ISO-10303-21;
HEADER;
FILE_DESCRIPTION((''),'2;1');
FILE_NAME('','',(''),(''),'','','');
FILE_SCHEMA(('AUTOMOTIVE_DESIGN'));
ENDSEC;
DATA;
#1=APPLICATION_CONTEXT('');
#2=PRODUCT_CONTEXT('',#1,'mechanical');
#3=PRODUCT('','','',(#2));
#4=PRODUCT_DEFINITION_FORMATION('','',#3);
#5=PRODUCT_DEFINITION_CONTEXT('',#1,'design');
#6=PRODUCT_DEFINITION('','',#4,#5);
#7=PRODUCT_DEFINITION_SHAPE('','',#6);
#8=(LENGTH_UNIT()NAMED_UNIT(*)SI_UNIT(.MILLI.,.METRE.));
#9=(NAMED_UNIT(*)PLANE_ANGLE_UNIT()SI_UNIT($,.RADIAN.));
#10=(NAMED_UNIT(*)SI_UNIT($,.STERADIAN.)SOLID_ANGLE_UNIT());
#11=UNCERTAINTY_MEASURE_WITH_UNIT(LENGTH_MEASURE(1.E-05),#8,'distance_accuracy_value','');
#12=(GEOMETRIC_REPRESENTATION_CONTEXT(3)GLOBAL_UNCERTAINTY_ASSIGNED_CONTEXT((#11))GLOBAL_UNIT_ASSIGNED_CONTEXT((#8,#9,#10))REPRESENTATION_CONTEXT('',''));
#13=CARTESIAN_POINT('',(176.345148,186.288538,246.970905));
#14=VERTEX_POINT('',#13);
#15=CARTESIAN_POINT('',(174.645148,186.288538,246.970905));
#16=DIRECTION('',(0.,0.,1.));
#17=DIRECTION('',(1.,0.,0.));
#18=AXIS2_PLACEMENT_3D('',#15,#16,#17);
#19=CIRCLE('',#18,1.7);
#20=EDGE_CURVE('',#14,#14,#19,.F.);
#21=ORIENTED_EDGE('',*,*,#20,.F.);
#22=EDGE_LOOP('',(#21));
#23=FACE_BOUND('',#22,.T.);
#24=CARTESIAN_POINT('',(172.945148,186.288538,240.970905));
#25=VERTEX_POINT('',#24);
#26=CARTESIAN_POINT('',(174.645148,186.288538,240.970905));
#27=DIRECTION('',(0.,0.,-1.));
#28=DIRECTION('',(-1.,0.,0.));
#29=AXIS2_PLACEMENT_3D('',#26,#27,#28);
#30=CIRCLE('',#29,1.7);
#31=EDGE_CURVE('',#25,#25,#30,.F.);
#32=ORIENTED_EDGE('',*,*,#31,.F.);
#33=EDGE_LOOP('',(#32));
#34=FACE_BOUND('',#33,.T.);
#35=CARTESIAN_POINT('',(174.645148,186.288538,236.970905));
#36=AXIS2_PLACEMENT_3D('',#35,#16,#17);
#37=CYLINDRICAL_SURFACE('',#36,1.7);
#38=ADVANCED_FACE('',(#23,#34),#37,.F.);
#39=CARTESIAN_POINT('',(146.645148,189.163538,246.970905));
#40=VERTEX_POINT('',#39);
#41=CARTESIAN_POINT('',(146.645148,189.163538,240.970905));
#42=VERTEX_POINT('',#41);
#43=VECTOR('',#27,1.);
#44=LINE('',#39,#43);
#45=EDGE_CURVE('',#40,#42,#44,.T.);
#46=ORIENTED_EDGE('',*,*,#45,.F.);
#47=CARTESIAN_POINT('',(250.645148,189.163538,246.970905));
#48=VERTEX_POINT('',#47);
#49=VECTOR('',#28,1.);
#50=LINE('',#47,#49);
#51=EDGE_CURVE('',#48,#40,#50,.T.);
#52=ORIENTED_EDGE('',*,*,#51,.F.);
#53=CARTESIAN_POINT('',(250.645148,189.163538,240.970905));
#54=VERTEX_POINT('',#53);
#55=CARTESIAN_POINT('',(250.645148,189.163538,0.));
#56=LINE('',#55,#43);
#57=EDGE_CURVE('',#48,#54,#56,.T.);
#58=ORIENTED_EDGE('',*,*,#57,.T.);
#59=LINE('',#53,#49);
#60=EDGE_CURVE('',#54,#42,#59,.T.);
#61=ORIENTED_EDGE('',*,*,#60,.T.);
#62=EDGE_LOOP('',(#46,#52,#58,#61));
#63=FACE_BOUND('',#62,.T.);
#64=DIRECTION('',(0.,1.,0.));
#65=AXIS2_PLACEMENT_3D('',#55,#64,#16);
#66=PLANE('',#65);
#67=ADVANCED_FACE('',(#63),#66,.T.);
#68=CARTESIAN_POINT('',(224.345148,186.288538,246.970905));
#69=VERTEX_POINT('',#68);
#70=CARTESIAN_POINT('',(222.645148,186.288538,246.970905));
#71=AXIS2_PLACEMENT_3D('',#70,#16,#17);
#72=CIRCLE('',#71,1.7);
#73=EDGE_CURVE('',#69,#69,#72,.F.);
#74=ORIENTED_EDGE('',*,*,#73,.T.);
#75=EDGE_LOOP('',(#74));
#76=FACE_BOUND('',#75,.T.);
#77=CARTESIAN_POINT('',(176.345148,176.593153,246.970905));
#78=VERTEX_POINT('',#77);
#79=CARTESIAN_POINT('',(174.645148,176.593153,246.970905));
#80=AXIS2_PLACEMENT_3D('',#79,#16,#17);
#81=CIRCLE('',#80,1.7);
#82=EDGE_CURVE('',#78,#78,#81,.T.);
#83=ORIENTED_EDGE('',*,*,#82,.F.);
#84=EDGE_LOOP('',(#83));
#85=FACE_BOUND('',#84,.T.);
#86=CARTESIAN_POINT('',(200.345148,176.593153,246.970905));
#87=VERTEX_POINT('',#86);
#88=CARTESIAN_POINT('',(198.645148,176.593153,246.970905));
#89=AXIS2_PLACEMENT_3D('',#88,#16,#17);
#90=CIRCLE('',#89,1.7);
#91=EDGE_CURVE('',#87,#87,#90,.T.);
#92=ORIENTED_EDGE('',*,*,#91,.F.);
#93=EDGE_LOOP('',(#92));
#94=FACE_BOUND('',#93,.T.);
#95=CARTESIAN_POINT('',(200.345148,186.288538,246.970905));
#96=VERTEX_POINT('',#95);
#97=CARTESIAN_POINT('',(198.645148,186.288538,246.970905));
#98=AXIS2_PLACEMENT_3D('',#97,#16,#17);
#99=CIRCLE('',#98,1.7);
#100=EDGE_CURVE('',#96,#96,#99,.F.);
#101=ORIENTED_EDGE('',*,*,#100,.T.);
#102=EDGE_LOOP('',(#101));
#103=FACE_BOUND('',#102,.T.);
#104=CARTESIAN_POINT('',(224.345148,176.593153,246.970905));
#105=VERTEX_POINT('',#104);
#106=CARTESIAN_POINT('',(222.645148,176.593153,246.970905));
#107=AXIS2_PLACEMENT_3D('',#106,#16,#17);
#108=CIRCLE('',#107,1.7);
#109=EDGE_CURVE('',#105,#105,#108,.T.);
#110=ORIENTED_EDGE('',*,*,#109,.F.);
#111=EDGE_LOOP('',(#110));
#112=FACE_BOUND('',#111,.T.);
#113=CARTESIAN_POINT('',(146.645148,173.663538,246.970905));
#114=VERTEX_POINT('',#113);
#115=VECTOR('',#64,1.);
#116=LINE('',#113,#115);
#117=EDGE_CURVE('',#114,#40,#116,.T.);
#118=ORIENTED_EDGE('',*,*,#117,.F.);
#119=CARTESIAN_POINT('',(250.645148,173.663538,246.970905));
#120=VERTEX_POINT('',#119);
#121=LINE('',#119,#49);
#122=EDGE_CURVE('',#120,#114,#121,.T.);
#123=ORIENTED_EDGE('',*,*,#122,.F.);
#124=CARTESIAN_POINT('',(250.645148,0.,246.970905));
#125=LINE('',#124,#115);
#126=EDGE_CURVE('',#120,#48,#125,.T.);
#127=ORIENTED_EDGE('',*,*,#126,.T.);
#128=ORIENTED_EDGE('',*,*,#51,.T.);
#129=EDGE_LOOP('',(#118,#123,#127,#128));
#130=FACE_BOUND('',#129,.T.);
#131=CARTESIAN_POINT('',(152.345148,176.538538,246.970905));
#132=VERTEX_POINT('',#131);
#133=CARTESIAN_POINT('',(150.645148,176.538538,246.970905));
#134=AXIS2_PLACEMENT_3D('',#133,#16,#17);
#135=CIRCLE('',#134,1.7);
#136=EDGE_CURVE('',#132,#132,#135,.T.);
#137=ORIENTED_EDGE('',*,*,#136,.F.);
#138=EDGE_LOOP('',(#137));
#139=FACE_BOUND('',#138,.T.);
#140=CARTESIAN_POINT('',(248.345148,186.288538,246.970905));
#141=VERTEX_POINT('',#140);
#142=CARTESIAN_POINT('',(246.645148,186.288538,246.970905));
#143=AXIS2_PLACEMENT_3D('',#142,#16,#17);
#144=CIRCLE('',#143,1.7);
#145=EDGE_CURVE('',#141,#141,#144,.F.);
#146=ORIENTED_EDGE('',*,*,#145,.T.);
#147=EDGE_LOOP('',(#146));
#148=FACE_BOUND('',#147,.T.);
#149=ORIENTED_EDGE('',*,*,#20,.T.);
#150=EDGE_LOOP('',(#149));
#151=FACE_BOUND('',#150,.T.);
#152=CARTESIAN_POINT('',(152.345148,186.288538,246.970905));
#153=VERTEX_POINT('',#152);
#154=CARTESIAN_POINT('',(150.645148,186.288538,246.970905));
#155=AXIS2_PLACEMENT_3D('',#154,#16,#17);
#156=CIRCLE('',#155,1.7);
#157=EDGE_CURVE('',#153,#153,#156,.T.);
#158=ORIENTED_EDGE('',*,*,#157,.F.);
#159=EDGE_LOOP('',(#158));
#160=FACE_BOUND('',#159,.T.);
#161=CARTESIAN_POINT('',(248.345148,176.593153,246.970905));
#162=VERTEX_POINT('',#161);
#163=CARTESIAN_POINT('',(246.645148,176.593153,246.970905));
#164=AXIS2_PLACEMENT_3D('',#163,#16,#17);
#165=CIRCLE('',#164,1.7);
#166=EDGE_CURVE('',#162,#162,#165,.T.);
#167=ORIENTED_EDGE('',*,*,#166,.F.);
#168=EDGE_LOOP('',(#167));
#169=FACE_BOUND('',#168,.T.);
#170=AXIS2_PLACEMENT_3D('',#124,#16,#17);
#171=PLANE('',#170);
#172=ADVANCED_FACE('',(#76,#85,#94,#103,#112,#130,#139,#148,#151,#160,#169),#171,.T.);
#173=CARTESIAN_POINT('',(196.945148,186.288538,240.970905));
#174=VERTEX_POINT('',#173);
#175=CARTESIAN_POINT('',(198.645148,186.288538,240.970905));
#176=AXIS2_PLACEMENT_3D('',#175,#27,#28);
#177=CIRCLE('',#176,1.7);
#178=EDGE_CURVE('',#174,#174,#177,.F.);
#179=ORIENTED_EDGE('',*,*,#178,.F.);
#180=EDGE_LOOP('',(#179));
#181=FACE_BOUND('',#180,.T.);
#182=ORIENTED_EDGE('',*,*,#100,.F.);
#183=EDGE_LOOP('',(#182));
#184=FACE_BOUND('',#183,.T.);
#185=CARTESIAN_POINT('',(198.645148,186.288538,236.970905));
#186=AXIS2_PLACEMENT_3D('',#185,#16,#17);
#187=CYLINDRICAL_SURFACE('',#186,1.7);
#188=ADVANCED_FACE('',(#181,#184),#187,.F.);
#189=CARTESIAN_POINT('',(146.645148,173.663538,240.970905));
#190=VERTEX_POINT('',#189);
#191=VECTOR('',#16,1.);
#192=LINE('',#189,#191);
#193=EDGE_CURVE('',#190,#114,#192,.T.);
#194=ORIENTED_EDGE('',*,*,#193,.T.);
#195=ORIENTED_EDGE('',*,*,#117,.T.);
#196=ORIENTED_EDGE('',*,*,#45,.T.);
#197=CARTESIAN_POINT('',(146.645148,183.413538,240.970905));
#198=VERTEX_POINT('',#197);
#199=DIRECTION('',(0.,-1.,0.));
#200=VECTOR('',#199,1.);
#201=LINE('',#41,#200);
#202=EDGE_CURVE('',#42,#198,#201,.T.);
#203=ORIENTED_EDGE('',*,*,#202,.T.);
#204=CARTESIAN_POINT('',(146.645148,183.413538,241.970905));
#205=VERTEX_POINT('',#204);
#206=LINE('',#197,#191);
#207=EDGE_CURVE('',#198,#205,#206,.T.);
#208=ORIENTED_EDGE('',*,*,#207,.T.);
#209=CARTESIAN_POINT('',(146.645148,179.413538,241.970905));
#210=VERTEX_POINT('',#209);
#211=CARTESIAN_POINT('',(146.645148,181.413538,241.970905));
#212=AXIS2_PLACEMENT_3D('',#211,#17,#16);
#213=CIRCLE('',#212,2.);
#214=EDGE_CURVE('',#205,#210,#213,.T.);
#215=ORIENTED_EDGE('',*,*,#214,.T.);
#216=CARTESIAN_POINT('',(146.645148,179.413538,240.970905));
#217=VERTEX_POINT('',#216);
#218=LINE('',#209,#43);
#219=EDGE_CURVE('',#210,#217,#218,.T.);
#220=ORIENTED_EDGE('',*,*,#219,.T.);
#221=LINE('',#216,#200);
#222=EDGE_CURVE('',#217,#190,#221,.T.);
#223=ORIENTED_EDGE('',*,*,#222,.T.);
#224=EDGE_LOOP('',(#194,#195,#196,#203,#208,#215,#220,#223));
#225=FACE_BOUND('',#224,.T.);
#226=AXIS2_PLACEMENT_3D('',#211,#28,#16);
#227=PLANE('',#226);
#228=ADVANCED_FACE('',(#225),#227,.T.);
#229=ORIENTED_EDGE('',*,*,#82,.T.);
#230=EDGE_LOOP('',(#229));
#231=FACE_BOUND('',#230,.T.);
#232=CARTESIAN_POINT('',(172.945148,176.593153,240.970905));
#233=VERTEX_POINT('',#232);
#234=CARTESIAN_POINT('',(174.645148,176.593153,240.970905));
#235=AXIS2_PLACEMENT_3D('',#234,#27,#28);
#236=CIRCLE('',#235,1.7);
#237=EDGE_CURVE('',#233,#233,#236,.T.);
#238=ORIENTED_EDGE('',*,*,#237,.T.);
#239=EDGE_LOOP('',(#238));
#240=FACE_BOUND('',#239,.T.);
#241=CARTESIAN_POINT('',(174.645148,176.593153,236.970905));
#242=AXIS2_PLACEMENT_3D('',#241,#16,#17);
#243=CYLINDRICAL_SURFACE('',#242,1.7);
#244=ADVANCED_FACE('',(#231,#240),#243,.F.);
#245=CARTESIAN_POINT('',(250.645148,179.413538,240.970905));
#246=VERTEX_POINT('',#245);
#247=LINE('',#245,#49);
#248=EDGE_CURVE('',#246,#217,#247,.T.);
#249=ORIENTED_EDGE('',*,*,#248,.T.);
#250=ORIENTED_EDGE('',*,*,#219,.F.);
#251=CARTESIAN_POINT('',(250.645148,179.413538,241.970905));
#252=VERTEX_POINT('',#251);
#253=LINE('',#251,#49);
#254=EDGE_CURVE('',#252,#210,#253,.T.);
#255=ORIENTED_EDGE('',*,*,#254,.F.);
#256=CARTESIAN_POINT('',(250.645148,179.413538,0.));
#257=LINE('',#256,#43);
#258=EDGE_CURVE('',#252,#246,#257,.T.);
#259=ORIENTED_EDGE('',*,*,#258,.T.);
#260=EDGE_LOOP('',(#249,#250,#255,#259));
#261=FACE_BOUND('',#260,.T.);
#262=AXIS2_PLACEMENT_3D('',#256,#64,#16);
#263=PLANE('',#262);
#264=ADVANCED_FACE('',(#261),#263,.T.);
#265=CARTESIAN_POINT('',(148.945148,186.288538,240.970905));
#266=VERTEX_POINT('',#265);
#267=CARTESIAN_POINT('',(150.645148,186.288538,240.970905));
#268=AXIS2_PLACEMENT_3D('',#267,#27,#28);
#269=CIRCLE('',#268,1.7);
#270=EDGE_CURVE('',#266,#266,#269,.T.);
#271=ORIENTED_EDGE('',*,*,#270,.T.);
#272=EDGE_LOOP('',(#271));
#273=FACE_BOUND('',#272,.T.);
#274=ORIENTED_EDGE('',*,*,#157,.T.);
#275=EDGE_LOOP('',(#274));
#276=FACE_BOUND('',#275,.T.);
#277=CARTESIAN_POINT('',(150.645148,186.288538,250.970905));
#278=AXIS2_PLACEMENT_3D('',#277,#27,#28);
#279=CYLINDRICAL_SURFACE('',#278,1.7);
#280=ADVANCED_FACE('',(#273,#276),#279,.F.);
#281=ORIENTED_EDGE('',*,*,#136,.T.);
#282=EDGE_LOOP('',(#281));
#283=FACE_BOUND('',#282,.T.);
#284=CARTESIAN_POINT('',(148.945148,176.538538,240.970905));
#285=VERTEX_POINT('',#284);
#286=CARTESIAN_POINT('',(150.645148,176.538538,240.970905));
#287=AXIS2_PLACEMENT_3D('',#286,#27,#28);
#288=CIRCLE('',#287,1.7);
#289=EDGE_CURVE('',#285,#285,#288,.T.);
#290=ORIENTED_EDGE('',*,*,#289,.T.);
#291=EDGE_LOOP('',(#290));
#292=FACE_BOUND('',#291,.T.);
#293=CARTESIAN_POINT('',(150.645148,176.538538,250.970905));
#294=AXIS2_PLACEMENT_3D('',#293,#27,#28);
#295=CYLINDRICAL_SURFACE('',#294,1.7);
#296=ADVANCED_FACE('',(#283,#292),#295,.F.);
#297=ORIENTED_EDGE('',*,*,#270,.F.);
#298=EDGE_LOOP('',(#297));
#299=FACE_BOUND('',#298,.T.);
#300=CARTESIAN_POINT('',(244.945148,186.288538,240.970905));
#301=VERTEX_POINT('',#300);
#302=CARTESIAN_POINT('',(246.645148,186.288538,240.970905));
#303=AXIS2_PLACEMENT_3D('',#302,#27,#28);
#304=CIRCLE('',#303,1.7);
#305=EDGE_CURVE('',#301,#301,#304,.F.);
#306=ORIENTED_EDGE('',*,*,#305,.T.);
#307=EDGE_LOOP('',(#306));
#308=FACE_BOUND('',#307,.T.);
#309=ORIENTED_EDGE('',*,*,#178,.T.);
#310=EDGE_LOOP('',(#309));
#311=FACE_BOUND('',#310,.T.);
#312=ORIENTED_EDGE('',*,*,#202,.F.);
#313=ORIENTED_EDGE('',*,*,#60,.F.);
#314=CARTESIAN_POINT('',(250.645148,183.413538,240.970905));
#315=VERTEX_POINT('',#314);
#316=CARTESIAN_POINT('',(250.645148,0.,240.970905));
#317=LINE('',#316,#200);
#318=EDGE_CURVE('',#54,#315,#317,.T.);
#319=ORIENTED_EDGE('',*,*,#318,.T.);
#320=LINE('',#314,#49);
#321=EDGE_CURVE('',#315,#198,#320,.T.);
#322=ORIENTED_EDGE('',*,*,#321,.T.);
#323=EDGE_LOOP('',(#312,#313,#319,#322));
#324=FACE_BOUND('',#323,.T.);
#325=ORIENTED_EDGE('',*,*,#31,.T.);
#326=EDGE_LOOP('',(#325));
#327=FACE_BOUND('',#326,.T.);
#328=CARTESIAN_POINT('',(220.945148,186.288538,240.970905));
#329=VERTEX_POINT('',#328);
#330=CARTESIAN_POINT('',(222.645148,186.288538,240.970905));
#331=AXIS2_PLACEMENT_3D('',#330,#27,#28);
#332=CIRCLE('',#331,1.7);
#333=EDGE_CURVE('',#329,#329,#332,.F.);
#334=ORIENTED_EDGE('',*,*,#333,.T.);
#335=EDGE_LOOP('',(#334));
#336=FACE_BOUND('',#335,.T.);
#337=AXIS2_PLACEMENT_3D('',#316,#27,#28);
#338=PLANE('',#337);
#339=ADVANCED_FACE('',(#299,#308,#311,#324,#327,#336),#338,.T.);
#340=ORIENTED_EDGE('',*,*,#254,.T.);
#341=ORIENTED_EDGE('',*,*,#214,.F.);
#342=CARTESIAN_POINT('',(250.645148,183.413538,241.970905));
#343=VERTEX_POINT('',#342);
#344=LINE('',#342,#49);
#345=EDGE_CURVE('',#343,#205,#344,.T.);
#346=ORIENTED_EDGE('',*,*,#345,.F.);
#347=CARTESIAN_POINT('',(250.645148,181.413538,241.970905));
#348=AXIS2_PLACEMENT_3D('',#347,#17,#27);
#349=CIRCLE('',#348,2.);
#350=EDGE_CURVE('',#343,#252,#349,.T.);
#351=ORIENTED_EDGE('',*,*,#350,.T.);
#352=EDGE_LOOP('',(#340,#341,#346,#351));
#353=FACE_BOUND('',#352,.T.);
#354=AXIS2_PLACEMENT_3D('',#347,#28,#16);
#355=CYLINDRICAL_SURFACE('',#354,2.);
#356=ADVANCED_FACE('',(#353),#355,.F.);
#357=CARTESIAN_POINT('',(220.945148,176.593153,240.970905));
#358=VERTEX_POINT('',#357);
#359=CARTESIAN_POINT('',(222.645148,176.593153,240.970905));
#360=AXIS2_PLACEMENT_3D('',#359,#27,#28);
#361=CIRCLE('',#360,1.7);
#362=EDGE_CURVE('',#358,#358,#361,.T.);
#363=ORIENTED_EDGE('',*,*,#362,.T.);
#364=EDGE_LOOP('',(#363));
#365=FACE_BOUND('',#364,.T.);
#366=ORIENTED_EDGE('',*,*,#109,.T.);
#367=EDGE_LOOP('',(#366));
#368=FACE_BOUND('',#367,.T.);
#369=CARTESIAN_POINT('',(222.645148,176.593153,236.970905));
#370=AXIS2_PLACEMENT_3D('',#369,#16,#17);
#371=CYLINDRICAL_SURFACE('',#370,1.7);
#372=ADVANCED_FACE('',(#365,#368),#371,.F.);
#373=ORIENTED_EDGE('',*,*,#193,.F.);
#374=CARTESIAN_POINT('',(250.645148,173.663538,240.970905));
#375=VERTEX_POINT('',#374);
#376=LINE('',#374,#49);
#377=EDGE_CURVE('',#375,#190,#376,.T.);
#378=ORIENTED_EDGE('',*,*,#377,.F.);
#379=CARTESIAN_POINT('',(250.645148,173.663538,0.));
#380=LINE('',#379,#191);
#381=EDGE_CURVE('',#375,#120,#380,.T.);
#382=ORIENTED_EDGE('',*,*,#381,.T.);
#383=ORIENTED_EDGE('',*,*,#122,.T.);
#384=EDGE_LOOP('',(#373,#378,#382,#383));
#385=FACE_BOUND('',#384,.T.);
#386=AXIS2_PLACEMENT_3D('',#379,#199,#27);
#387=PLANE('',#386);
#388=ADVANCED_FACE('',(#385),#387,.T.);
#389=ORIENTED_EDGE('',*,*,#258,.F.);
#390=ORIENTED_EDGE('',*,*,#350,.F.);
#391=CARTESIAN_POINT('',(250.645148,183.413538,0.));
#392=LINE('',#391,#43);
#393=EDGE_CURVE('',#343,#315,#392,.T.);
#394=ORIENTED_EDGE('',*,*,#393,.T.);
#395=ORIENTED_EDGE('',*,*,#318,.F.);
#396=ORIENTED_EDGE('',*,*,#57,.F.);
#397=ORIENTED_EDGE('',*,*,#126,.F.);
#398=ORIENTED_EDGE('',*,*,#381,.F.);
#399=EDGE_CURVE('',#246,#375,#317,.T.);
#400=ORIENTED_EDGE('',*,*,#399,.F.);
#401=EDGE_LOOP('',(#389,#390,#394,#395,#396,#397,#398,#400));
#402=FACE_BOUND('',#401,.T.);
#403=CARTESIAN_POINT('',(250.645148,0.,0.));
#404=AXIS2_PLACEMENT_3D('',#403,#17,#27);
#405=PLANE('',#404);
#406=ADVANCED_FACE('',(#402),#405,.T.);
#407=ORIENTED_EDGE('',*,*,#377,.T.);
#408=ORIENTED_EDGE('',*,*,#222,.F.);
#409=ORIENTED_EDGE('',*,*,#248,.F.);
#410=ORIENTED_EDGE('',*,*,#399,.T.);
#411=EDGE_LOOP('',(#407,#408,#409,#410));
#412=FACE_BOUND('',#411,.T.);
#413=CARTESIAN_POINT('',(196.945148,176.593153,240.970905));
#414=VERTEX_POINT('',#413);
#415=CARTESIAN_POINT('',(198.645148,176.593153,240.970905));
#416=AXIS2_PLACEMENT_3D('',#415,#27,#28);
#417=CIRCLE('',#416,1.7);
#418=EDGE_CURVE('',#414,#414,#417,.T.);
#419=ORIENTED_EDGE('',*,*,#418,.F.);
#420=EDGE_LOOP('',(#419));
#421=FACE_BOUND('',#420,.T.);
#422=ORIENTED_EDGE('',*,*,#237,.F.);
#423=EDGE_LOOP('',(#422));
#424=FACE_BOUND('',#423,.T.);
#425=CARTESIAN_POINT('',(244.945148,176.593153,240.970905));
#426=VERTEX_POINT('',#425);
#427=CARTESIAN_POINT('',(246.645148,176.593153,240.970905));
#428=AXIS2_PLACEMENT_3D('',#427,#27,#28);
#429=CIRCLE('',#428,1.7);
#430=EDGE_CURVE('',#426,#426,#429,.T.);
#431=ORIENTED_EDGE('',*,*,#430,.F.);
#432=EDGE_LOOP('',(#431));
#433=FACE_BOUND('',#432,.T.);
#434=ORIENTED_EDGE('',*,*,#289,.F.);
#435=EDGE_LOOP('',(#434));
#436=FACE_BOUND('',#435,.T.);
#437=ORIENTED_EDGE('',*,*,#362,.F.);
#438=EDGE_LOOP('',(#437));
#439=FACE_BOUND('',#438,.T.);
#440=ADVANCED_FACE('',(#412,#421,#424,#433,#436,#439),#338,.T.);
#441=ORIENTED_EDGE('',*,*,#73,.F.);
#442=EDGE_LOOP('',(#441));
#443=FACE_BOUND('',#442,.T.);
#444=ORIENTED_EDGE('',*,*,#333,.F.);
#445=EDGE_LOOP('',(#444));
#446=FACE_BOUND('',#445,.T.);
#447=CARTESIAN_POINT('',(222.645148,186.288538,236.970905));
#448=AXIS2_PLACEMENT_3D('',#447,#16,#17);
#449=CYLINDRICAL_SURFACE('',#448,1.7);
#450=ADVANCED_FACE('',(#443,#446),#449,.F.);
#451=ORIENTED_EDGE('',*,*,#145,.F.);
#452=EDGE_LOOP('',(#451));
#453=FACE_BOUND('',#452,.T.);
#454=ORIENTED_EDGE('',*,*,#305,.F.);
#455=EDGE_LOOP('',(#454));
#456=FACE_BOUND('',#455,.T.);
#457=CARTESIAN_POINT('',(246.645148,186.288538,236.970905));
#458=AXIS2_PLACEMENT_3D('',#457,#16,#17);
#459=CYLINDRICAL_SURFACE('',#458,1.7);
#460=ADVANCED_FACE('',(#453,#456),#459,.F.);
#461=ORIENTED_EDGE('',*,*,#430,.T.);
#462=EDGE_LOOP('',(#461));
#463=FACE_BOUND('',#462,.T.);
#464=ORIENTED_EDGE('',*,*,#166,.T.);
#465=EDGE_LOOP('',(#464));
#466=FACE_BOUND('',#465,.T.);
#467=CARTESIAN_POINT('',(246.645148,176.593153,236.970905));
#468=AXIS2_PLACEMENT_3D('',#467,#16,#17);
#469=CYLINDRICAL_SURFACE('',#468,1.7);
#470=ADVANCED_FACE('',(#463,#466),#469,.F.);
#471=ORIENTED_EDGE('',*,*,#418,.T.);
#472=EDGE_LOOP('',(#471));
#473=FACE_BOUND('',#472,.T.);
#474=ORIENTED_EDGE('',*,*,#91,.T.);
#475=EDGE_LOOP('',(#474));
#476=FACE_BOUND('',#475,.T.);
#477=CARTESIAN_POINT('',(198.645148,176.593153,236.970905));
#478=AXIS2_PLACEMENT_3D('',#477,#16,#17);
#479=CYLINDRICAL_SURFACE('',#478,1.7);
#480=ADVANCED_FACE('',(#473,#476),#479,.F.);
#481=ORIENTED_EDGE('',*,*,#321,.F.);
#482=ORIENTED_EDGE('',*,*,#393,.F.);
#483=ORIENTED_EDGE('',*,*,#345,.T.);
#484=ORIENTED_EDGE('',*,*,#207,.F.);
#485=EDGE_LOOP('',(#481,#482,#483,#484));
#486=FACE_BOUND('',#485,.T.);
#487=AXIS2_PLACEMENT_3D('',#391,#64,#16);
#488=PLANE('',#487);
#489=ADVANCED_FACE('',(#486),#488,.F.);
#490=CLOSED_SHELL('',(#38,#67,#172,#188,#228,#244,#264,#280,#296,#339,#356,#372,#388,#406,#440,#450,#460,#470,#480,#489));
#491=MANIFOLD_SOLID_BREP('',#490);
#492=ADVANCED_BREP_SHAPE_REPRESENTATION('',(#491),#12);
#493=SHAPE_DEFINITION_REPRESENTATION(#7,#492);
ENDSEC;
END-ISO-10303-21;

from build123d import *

# Parameters (mm, degrees)
BOSS_EXTRUDE1_DEPTH      = 60
BOSS_EXTRUDE1_DEPTH_BACK = 20
SKETCH2_R                = 1.7
CUT_EXTRUDE1_DEPTH       = 10
BOSS_EXTRUDE2_START      = 24
BOSS_EXTRUDE2_DEPTH      = 24
CUT_EXTRUDE2_START       = -10
SKETCH4_R                = 1.7
CUT_EXTRUDE2_DEPTH       = 10


with BuildPart() as part:
    # Sketch1 → Boss-Extrude1 (new, two sides: drawn at the far end of the back side and taken through both)
    with BuildSketch(Plane(origin=(190.645148, 0, 0), x_dir=(0, 0, -1), z_dir=(1, 0, 0)).offset(-BOSS_EXTRUDE1_DEPTH_BACK)):
        with BuildLine():
            Line((-240.970904961, 189.163538159), (-246.970904961, 189.163538159))
            Line((-246.970904961, 189.163538159), (-246.970904961, 173.663538158))
            Line((-246.970904961, 173.663538158), (-240.970904961, 173.663538158))
            Line((-240.970904961, 173.663538158), (-240.970904961, 179.413538158))
            Line((-240.970904961, 179.413538158), (-241.970904961, 179.413538158))
            ThreePointArc((-241.970904961, 179.413538158), (-243.970904961, 181.413538158), (-241.970904961, 183.413538158))
            Line((-241.970904961, 183.413538158), (-240.970904961, 183.413538158))
            Line((-240.970904961, 183.413538158), (-240.970904961, 189.163538159))
        make_face()
    extrude(amount=BOSS_EXTRUDE1_DEPTH + BOSS_EXTRUDE1_DEPTH_BACK)

    # Sketch2 → Cut-Extrude1 (cut)
    with BuildSketch(Plane.XY.offset(246.970904961)):
        with Locations((246.645148, 186.288538158)):
            Circle(SKETCH2_R)
        with Locations((222.645148, 186.288538158)):
            Circle(SKETCH2_R)
        with Locations((198.645148, 186.288538158)):
            Circle(SKETCH2_R)
        with Locations((174.645148, 186.288538158)):
            Circle(SKETCH2_R)
        with Locations((246.645148, 176.593153442)):
            Circle(SKETCH2_R)
        with Locations((222.645148, 176.593153442)):
            Circle(SKETCH2_R)
        with Locations((198.645148, 176.593153442)):
            Circle(SKETCH2_R)
        with Locations((174.645148, 176.593153442)):
            Circle(SKETCH2_R)
    extrude(amount=-CUT_EXTRUDE1_DEPTH, mode=Mode.SUBTRACT)

    # Sketch3 → Boss-Extrude2 (add)
    with BuildSketch(Plane.ZY.offset(-170.645148).offset(BOSS_EXTRUDE2_START)):
        with BuildLine():
            Line((241.970904961, 179.413538158), (240.970904961, 179.413538158))
            Line((240.970904961, 179.413538158), (240.970904961, 173.663538158))
            Line((240.970904961, 173.663538158), (246.970904961, 173.663538158))
            Line((246.970904961, 173.663538158), (246.970904961, 189.163538159))
            Line((246.970904961, 189.163538159), (240.970904961, 189.163538159))
            Line((240.970904961, 189.163538159), (240.970904961, 183.413538158))
            Line((240.970904961, 183.413538158), (241.970904961, 183.413538158))
            ThreePointArc((241.970904961, 183.413538158), (243.970904961, 181.413538158), (241.970904961, 179.413538158))
        make_face()
    extrude(amount=-BOSS_EXTRUDE2_DEPTH)

    # Sketch4 → Cut-Extrude2 (cut)
    with BuildSketch(Plane(origin=(0, 0, 240.970904961), x_dir=(-1, 0, 0), z_dir=(0, 0, -1)).offset(CUT_EXTRUDE2_START)):
        with Locations(Location((-174.645148, 176.593153442, 0), (0, 0, 180))):
            Circle(SKETCH4_R)
        with Locations(Location((-174.645148, 186.288538158, 0), (0, 0, 180))):
            Circle(SKETCH4_R)
        with Locations((-150.645148, 186.288538158)):
            Circle(SKETCH4_R)
        with Locations((-150.645148, 176.538538158)):
            Circle(SKETCH4_R)
    extrude(amount=CUT_EXTRUDE2_DEPTH, mode=Mode.SUBTRACT)


solid = part.part
